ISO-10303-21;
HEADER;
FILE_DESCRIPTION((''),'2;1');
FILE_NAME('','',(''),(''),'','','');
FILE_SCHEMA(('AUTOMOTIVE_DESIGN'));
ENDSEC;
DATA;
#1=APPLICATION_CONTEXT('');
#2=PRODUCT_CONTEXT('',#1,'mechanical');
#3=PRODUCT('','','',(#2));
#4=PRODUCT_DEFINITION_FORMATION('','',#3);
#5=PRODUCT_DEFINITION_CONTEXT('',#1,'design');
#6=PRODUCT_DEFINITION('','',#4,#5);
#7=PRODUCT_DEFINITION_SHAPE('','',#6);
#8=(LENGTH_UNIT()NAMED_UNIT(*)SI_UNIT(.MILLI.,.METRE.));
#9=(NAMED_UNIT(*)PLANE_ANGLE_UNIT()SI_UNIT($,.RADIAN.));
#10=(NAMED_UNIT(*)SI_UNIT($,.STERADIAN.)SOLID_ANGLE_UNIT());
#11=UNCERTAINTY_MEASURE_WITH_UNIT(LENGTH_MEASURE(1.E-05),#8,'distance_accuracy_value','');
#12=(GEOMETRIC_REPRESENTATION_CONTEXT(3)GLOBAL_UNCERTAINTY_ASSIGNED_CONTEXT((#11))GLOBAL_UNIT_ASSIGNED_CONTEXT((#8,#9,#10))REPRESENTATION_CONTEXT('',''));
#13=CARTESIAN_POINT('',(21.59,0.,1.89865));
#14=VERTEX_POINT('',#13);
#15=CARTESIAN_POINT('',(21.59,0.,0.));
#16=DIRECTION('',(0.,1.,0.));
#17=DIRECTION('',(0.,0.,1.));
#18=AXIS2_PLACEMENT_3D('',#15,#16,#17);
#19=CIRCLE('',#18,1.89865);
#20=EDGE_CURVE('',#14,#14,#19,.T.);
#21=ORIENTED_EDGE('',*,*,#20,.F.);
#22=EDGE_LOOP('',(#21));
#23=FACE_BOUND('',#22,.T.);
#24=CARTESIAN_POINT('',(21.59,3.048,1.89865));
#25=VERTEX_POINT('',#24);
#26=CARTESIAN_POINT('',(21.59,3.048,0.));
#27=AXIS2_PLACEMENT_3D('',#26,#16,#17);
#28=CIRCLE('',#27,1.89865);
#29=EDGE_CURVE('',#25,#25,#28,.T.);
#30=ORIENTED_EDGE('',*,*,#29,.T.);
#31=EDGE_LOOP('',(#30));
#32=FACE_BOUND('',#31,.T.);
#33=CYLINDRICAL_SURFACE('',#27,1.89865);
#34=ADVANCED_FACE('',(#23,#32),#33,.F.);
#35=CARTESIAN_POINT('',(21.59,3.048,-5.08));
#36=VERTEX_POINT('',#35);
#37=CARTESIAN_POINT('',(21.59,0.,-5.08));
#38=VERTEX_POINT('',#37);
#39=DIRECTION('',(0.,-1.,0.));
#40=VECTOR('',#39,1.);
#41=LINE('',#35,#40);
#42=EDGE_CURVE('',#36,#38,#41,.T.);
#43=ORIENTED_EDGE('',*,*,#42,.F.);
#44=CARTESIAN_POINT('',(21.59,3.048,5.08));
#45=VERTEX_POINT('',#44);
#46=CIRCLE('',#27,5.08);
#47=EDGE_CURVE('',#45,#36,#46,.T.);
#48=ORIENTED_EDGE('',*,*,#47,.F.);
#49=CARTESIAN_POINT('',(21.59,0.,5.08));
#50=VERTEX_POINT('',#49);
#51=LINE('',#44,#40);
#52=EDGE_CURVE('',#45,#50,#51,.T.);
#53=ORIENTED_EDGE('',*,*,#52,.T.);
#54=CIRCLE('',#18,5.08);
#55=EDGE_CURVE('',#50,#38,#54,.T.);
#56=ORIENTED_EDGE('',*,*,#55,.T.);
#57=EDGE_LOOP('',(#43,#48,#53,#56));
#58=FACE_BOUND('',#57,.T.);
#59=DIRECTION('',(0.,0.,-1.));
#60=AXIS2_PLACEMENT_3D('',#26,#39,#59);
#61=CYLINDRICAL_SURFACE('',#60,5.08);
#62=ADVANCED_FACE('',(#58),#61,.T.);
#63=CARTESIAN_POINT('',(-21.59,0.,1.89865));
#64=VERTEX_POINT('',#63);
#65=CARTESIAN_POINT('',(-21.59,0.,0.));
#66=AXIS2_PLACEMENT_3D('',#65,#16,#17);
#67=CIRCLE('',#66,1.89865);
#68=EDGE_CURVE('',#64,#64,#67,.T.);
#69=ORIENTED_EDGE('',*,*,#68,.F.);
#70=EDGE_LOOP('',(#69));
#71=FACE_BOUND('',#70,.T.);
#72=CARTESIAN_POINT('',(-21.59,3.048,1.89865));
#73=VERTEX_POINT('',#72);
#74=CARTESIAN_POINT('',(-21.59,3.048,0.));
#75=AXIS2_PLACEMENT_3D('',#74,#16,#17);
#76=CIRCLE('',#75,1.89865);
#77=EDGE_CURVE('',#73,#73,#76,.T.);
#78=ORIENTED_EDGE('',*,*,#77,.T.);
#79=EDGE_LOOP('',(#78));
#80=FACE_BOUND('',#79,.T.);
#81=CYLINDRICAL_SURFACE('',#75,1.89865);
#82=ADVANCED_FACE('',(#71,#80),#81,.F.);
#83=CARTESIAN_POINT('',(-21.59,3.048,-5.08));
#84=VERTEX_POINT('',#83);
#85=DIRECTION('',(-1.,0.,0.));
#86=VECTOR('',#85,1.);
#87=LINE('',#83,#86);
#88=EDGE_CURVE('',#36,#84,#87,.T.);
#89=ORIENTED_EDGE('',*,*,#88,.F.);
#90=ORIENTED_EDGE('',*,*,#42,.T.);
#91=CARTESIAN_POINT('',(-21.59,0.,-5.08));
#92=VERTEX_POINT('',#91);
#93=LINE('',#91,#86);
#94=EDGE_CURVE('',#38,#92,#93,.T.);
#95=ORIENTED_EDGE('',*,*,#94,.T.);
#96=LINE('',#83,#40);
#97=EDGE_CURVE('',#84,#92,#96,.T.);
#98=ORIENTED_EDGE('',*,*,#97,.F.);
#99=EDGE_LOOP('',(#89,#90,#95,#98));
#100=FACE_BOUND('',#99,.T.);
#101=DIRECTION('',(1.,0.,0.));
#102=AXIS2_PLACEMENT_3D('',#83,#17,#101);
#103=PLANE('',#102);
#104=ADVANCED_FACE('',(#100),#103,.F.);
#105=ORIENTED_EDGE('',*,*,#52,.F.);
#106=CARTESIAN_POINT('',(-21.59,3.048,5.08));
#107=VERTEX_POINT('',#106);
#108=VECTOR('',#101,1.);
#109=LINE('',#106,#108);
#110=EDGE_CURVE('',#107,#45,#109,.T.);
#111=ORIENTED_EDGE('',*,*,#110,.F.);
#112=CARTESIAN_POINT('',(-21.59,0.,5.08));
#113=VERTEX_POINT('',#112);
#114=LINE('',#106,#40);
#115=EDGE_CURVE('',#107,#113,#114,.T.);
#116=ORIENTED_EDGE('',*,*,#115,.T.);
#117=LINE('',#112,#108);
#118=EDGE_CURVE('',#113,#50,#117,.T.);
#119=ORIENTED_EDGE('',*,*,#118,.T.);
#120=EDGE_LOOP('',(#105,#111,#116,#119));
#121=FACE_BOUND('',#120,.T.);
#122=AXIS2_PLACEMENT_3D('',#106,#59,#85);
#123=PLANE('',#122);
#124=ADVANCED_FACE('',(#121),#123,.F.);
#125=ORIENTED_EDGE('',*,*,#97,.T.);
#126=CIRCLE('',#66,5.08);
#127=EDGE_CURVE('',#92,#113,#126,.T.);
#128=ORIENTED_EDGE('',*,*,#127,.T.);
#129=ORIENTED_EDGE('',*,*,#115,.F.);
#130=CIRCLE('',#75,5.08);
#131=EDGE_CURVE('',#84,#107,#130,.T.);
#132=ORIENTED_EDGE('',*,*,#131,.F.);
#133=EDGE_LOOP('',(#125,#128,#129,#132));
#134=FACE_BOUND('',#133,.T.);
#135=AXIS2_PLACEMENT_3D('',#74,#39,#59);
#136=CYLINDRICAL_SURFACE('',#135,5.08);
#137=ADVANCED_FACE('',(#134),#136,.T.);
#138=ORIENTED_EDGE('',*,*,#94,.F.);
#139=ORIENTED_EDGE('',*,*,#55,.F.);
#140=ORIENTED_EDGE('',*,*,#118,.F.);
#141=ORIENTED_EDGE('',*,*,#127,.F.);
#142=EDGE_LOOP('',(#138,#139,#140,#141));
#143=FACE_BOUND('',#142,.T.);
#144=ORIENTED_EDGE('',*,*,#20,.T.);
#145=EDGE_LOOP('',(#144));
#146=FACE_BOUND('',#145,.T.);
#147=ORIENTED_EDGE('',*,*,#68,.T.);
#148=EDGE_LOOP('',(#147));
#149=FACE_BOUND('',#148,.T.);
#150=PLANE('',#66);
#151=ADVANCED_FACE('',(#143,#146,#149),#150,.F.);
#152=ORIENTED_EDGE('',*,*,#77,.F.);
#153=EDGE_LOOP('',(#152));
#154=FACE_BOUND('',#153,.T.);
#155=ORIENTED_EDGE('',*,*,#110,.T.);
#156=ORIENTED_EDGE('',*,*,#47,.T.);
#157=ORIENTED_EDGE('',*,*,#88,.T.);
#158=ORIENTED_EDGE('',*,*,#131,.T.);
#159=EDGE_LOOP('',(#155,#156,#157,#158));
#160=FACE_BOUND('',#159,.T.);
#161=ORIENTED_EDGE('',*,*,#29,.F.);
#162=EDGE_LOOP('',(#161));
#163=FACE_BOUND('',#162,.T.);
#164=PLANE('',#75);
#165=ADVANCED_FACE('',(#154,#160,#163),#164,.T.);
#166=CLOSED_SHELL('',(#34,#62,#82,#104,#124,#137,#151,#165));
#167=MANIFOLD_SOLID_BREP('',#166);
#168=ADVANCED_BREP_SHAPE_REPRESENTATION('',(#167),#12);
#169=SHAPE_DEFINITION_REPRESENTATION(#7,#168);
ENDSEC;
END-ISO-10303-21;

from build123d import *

# Parameters (mm, degrees)
BOSS_EXTRU_1_DEPTH = 3.048
D_GAGEMENT_61_D    = 3.7973


with BuildPart() as part:
    # Esquisse1 → Boss.-Extru.1 (new body)
    with BuildSketch(Plane(origin=(0, 0, 0), x_dir=(1, 0, 0), z_dir=(0, 1, 0))):
        with BuildLine():
            Line((-21.59, 5.08), (21.59, 5.08))
            ThreePointArc((21.59, 5.08), (26.67, 0), (21.59, -5.08))
            Line((21.59, -5.08), (-21.59, -5.08))
            ThreePointArc((-21.59, -5.08), (-26.67, 0), (-21.59, 5.08))
        make_face()
    extrude(amount=BOSS_EXTRU_1_DEPTH)

    # Dégagement #61 (through all)
    with Locations(Plane(origin=(0, 3.048, 0), x_dir=(1, 0, 0), z_dir=(0, 1, 0))):
        with Locations((-21.59, 0), (21.59, 0)):
            Hole(D_GAGEMENT_61_D / 2)


solid = part.part
